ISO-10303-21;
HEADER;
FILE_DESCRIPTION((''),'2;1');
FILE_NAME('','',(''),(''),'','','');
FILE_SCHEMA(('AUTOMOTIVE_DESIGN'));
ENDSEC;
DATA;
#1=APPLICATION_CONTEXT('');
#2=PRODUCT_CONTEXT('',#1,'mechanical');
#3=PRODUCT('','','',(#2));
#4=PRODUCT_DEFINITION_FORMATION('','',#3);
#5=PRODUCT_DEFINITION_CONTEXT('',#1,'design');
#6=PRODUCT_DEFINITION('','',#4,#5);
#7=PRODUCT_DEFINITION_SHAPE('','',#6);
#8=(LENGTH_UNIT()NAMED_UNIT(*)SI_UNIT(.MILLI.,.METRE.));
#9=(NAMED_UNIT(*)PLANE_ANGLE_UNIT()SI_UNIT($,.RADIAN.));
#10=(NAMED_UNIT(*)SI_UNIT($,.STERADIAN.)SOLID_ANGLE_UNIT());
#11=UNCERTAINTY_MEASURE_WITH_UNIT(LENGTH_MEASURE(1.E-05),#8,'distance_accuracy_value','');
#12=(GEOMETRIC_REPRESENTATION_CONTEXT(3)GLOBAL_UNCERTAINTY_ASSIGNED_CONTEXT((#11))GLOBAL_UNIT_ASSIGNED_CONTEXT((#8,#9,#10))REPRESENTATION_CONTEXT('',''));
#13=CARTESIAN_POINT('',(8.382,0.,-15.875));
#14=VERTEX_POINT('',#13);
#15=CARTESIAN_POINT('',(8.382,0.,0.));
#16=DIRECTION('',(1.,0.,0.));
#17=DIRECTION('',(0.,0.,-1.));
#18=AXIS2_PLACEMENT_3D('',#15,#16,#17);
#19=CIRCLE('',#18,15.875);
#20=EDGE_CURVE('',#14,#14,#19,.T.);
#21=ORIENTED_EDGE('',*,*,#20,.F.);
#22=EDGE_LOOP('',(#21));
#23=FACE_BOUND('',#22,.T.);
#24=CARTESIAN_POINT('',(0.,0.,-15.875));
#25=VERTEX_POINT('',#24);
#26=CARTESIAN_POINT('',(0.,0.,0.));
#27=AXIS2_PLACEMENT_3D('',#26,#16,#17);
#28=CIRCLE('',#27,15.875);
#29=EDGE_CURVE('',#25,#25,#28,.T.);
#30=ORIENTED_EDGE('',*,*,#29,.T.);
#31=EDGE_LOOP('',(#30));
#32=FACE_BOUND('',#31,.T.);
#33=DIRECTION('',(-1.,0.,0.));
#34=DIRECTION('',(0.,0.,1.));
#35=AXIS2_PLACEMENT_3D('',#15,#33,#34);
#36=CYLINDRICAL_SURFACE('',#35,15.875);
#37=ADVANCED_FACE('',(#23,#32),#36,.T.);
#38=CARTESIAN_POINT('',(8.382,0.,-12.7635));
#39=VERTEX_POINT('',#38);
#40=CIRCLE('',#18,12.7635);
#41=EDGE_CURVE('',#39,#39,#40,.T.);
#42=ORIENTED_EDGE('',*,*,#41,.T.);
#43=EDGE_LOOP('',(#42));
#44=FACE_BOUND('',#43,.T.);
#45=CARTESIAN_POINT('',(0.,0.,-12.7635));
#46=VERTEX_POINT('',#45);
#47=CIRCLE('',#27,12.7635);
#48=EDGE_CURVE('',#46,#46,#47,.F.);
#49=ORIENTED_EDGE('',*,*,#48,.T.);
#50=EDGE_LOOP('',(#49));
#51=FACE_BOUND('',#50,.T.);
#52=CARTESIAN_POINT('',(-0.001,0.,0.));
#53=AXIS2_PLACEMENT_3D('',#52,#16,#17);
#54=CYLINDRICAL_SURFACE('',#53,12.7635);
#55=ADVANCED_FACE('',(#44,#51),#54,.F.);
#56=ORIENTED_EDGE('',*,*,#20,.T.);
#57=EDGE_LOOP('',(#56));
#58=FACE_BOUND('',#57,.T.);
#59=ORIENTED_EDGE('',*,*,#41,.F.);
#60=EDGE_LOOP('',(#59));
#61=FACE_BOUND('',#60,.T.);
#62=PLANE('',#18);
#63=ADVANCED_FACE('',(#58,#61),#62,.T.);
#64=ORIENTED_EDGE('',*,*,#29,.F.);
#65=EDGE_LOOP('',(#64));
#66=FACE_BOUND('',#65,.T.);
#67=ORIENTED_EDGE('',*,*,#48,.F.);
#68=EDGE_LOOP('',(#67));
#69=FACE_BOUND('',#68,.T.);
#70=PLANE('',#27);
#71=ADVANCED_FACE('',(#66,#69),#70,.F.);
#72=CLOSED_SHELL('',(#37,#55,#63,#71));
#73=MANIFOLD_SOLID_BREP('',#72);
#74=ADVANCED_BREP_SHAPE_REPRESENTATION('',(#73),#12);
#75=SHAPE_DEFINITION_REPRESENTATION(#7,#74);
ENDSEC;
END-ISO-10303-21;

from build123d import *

# Parameters (mm, degrees)
SKETCH1_R           = 15.875
BOSS_EXTRUDE1_DEPTH = 8.382
CUT_EXTRUDE1_REACH  = 25.964
SKETCH2_R           = 12.7635


with BuildPart() as part:
    # Sketch1 → Boss-Extrude1 (new body)
    with BuildSketch(Plane(origin=(0, 0, 0), x_dir=(0, 0, -1), z_dir=(1, 0, 0))):
        Circle(SKETCH1_R)
    extrude(amount=BOSS_EXTRUDE1_DEPTH)

    # Sketch2 → Cut-Extrude1 (cut, up to next)
    with BuildSketch(Plane(origin=(8.382, 0, 0), x_dir=(0, 0, -1), z_dir=(1, 0, 0)), mode=Mode.PRIVATE) as cut_extrude1_sk1:
        Circle(SKETCH2_R)
    cut_extrude1_tool1 = extrude(cut_extrude1_sk1.sketch, amount=-CUT_EXTRUDE1_REACH, mode=Mode.PRIVATE) & part.part
    add(cut_extrude1_tool1.solids().sort_by_distance((8.382, 0, 0))[0], mode=Mode.SUBTRACT)


solid = part.part
